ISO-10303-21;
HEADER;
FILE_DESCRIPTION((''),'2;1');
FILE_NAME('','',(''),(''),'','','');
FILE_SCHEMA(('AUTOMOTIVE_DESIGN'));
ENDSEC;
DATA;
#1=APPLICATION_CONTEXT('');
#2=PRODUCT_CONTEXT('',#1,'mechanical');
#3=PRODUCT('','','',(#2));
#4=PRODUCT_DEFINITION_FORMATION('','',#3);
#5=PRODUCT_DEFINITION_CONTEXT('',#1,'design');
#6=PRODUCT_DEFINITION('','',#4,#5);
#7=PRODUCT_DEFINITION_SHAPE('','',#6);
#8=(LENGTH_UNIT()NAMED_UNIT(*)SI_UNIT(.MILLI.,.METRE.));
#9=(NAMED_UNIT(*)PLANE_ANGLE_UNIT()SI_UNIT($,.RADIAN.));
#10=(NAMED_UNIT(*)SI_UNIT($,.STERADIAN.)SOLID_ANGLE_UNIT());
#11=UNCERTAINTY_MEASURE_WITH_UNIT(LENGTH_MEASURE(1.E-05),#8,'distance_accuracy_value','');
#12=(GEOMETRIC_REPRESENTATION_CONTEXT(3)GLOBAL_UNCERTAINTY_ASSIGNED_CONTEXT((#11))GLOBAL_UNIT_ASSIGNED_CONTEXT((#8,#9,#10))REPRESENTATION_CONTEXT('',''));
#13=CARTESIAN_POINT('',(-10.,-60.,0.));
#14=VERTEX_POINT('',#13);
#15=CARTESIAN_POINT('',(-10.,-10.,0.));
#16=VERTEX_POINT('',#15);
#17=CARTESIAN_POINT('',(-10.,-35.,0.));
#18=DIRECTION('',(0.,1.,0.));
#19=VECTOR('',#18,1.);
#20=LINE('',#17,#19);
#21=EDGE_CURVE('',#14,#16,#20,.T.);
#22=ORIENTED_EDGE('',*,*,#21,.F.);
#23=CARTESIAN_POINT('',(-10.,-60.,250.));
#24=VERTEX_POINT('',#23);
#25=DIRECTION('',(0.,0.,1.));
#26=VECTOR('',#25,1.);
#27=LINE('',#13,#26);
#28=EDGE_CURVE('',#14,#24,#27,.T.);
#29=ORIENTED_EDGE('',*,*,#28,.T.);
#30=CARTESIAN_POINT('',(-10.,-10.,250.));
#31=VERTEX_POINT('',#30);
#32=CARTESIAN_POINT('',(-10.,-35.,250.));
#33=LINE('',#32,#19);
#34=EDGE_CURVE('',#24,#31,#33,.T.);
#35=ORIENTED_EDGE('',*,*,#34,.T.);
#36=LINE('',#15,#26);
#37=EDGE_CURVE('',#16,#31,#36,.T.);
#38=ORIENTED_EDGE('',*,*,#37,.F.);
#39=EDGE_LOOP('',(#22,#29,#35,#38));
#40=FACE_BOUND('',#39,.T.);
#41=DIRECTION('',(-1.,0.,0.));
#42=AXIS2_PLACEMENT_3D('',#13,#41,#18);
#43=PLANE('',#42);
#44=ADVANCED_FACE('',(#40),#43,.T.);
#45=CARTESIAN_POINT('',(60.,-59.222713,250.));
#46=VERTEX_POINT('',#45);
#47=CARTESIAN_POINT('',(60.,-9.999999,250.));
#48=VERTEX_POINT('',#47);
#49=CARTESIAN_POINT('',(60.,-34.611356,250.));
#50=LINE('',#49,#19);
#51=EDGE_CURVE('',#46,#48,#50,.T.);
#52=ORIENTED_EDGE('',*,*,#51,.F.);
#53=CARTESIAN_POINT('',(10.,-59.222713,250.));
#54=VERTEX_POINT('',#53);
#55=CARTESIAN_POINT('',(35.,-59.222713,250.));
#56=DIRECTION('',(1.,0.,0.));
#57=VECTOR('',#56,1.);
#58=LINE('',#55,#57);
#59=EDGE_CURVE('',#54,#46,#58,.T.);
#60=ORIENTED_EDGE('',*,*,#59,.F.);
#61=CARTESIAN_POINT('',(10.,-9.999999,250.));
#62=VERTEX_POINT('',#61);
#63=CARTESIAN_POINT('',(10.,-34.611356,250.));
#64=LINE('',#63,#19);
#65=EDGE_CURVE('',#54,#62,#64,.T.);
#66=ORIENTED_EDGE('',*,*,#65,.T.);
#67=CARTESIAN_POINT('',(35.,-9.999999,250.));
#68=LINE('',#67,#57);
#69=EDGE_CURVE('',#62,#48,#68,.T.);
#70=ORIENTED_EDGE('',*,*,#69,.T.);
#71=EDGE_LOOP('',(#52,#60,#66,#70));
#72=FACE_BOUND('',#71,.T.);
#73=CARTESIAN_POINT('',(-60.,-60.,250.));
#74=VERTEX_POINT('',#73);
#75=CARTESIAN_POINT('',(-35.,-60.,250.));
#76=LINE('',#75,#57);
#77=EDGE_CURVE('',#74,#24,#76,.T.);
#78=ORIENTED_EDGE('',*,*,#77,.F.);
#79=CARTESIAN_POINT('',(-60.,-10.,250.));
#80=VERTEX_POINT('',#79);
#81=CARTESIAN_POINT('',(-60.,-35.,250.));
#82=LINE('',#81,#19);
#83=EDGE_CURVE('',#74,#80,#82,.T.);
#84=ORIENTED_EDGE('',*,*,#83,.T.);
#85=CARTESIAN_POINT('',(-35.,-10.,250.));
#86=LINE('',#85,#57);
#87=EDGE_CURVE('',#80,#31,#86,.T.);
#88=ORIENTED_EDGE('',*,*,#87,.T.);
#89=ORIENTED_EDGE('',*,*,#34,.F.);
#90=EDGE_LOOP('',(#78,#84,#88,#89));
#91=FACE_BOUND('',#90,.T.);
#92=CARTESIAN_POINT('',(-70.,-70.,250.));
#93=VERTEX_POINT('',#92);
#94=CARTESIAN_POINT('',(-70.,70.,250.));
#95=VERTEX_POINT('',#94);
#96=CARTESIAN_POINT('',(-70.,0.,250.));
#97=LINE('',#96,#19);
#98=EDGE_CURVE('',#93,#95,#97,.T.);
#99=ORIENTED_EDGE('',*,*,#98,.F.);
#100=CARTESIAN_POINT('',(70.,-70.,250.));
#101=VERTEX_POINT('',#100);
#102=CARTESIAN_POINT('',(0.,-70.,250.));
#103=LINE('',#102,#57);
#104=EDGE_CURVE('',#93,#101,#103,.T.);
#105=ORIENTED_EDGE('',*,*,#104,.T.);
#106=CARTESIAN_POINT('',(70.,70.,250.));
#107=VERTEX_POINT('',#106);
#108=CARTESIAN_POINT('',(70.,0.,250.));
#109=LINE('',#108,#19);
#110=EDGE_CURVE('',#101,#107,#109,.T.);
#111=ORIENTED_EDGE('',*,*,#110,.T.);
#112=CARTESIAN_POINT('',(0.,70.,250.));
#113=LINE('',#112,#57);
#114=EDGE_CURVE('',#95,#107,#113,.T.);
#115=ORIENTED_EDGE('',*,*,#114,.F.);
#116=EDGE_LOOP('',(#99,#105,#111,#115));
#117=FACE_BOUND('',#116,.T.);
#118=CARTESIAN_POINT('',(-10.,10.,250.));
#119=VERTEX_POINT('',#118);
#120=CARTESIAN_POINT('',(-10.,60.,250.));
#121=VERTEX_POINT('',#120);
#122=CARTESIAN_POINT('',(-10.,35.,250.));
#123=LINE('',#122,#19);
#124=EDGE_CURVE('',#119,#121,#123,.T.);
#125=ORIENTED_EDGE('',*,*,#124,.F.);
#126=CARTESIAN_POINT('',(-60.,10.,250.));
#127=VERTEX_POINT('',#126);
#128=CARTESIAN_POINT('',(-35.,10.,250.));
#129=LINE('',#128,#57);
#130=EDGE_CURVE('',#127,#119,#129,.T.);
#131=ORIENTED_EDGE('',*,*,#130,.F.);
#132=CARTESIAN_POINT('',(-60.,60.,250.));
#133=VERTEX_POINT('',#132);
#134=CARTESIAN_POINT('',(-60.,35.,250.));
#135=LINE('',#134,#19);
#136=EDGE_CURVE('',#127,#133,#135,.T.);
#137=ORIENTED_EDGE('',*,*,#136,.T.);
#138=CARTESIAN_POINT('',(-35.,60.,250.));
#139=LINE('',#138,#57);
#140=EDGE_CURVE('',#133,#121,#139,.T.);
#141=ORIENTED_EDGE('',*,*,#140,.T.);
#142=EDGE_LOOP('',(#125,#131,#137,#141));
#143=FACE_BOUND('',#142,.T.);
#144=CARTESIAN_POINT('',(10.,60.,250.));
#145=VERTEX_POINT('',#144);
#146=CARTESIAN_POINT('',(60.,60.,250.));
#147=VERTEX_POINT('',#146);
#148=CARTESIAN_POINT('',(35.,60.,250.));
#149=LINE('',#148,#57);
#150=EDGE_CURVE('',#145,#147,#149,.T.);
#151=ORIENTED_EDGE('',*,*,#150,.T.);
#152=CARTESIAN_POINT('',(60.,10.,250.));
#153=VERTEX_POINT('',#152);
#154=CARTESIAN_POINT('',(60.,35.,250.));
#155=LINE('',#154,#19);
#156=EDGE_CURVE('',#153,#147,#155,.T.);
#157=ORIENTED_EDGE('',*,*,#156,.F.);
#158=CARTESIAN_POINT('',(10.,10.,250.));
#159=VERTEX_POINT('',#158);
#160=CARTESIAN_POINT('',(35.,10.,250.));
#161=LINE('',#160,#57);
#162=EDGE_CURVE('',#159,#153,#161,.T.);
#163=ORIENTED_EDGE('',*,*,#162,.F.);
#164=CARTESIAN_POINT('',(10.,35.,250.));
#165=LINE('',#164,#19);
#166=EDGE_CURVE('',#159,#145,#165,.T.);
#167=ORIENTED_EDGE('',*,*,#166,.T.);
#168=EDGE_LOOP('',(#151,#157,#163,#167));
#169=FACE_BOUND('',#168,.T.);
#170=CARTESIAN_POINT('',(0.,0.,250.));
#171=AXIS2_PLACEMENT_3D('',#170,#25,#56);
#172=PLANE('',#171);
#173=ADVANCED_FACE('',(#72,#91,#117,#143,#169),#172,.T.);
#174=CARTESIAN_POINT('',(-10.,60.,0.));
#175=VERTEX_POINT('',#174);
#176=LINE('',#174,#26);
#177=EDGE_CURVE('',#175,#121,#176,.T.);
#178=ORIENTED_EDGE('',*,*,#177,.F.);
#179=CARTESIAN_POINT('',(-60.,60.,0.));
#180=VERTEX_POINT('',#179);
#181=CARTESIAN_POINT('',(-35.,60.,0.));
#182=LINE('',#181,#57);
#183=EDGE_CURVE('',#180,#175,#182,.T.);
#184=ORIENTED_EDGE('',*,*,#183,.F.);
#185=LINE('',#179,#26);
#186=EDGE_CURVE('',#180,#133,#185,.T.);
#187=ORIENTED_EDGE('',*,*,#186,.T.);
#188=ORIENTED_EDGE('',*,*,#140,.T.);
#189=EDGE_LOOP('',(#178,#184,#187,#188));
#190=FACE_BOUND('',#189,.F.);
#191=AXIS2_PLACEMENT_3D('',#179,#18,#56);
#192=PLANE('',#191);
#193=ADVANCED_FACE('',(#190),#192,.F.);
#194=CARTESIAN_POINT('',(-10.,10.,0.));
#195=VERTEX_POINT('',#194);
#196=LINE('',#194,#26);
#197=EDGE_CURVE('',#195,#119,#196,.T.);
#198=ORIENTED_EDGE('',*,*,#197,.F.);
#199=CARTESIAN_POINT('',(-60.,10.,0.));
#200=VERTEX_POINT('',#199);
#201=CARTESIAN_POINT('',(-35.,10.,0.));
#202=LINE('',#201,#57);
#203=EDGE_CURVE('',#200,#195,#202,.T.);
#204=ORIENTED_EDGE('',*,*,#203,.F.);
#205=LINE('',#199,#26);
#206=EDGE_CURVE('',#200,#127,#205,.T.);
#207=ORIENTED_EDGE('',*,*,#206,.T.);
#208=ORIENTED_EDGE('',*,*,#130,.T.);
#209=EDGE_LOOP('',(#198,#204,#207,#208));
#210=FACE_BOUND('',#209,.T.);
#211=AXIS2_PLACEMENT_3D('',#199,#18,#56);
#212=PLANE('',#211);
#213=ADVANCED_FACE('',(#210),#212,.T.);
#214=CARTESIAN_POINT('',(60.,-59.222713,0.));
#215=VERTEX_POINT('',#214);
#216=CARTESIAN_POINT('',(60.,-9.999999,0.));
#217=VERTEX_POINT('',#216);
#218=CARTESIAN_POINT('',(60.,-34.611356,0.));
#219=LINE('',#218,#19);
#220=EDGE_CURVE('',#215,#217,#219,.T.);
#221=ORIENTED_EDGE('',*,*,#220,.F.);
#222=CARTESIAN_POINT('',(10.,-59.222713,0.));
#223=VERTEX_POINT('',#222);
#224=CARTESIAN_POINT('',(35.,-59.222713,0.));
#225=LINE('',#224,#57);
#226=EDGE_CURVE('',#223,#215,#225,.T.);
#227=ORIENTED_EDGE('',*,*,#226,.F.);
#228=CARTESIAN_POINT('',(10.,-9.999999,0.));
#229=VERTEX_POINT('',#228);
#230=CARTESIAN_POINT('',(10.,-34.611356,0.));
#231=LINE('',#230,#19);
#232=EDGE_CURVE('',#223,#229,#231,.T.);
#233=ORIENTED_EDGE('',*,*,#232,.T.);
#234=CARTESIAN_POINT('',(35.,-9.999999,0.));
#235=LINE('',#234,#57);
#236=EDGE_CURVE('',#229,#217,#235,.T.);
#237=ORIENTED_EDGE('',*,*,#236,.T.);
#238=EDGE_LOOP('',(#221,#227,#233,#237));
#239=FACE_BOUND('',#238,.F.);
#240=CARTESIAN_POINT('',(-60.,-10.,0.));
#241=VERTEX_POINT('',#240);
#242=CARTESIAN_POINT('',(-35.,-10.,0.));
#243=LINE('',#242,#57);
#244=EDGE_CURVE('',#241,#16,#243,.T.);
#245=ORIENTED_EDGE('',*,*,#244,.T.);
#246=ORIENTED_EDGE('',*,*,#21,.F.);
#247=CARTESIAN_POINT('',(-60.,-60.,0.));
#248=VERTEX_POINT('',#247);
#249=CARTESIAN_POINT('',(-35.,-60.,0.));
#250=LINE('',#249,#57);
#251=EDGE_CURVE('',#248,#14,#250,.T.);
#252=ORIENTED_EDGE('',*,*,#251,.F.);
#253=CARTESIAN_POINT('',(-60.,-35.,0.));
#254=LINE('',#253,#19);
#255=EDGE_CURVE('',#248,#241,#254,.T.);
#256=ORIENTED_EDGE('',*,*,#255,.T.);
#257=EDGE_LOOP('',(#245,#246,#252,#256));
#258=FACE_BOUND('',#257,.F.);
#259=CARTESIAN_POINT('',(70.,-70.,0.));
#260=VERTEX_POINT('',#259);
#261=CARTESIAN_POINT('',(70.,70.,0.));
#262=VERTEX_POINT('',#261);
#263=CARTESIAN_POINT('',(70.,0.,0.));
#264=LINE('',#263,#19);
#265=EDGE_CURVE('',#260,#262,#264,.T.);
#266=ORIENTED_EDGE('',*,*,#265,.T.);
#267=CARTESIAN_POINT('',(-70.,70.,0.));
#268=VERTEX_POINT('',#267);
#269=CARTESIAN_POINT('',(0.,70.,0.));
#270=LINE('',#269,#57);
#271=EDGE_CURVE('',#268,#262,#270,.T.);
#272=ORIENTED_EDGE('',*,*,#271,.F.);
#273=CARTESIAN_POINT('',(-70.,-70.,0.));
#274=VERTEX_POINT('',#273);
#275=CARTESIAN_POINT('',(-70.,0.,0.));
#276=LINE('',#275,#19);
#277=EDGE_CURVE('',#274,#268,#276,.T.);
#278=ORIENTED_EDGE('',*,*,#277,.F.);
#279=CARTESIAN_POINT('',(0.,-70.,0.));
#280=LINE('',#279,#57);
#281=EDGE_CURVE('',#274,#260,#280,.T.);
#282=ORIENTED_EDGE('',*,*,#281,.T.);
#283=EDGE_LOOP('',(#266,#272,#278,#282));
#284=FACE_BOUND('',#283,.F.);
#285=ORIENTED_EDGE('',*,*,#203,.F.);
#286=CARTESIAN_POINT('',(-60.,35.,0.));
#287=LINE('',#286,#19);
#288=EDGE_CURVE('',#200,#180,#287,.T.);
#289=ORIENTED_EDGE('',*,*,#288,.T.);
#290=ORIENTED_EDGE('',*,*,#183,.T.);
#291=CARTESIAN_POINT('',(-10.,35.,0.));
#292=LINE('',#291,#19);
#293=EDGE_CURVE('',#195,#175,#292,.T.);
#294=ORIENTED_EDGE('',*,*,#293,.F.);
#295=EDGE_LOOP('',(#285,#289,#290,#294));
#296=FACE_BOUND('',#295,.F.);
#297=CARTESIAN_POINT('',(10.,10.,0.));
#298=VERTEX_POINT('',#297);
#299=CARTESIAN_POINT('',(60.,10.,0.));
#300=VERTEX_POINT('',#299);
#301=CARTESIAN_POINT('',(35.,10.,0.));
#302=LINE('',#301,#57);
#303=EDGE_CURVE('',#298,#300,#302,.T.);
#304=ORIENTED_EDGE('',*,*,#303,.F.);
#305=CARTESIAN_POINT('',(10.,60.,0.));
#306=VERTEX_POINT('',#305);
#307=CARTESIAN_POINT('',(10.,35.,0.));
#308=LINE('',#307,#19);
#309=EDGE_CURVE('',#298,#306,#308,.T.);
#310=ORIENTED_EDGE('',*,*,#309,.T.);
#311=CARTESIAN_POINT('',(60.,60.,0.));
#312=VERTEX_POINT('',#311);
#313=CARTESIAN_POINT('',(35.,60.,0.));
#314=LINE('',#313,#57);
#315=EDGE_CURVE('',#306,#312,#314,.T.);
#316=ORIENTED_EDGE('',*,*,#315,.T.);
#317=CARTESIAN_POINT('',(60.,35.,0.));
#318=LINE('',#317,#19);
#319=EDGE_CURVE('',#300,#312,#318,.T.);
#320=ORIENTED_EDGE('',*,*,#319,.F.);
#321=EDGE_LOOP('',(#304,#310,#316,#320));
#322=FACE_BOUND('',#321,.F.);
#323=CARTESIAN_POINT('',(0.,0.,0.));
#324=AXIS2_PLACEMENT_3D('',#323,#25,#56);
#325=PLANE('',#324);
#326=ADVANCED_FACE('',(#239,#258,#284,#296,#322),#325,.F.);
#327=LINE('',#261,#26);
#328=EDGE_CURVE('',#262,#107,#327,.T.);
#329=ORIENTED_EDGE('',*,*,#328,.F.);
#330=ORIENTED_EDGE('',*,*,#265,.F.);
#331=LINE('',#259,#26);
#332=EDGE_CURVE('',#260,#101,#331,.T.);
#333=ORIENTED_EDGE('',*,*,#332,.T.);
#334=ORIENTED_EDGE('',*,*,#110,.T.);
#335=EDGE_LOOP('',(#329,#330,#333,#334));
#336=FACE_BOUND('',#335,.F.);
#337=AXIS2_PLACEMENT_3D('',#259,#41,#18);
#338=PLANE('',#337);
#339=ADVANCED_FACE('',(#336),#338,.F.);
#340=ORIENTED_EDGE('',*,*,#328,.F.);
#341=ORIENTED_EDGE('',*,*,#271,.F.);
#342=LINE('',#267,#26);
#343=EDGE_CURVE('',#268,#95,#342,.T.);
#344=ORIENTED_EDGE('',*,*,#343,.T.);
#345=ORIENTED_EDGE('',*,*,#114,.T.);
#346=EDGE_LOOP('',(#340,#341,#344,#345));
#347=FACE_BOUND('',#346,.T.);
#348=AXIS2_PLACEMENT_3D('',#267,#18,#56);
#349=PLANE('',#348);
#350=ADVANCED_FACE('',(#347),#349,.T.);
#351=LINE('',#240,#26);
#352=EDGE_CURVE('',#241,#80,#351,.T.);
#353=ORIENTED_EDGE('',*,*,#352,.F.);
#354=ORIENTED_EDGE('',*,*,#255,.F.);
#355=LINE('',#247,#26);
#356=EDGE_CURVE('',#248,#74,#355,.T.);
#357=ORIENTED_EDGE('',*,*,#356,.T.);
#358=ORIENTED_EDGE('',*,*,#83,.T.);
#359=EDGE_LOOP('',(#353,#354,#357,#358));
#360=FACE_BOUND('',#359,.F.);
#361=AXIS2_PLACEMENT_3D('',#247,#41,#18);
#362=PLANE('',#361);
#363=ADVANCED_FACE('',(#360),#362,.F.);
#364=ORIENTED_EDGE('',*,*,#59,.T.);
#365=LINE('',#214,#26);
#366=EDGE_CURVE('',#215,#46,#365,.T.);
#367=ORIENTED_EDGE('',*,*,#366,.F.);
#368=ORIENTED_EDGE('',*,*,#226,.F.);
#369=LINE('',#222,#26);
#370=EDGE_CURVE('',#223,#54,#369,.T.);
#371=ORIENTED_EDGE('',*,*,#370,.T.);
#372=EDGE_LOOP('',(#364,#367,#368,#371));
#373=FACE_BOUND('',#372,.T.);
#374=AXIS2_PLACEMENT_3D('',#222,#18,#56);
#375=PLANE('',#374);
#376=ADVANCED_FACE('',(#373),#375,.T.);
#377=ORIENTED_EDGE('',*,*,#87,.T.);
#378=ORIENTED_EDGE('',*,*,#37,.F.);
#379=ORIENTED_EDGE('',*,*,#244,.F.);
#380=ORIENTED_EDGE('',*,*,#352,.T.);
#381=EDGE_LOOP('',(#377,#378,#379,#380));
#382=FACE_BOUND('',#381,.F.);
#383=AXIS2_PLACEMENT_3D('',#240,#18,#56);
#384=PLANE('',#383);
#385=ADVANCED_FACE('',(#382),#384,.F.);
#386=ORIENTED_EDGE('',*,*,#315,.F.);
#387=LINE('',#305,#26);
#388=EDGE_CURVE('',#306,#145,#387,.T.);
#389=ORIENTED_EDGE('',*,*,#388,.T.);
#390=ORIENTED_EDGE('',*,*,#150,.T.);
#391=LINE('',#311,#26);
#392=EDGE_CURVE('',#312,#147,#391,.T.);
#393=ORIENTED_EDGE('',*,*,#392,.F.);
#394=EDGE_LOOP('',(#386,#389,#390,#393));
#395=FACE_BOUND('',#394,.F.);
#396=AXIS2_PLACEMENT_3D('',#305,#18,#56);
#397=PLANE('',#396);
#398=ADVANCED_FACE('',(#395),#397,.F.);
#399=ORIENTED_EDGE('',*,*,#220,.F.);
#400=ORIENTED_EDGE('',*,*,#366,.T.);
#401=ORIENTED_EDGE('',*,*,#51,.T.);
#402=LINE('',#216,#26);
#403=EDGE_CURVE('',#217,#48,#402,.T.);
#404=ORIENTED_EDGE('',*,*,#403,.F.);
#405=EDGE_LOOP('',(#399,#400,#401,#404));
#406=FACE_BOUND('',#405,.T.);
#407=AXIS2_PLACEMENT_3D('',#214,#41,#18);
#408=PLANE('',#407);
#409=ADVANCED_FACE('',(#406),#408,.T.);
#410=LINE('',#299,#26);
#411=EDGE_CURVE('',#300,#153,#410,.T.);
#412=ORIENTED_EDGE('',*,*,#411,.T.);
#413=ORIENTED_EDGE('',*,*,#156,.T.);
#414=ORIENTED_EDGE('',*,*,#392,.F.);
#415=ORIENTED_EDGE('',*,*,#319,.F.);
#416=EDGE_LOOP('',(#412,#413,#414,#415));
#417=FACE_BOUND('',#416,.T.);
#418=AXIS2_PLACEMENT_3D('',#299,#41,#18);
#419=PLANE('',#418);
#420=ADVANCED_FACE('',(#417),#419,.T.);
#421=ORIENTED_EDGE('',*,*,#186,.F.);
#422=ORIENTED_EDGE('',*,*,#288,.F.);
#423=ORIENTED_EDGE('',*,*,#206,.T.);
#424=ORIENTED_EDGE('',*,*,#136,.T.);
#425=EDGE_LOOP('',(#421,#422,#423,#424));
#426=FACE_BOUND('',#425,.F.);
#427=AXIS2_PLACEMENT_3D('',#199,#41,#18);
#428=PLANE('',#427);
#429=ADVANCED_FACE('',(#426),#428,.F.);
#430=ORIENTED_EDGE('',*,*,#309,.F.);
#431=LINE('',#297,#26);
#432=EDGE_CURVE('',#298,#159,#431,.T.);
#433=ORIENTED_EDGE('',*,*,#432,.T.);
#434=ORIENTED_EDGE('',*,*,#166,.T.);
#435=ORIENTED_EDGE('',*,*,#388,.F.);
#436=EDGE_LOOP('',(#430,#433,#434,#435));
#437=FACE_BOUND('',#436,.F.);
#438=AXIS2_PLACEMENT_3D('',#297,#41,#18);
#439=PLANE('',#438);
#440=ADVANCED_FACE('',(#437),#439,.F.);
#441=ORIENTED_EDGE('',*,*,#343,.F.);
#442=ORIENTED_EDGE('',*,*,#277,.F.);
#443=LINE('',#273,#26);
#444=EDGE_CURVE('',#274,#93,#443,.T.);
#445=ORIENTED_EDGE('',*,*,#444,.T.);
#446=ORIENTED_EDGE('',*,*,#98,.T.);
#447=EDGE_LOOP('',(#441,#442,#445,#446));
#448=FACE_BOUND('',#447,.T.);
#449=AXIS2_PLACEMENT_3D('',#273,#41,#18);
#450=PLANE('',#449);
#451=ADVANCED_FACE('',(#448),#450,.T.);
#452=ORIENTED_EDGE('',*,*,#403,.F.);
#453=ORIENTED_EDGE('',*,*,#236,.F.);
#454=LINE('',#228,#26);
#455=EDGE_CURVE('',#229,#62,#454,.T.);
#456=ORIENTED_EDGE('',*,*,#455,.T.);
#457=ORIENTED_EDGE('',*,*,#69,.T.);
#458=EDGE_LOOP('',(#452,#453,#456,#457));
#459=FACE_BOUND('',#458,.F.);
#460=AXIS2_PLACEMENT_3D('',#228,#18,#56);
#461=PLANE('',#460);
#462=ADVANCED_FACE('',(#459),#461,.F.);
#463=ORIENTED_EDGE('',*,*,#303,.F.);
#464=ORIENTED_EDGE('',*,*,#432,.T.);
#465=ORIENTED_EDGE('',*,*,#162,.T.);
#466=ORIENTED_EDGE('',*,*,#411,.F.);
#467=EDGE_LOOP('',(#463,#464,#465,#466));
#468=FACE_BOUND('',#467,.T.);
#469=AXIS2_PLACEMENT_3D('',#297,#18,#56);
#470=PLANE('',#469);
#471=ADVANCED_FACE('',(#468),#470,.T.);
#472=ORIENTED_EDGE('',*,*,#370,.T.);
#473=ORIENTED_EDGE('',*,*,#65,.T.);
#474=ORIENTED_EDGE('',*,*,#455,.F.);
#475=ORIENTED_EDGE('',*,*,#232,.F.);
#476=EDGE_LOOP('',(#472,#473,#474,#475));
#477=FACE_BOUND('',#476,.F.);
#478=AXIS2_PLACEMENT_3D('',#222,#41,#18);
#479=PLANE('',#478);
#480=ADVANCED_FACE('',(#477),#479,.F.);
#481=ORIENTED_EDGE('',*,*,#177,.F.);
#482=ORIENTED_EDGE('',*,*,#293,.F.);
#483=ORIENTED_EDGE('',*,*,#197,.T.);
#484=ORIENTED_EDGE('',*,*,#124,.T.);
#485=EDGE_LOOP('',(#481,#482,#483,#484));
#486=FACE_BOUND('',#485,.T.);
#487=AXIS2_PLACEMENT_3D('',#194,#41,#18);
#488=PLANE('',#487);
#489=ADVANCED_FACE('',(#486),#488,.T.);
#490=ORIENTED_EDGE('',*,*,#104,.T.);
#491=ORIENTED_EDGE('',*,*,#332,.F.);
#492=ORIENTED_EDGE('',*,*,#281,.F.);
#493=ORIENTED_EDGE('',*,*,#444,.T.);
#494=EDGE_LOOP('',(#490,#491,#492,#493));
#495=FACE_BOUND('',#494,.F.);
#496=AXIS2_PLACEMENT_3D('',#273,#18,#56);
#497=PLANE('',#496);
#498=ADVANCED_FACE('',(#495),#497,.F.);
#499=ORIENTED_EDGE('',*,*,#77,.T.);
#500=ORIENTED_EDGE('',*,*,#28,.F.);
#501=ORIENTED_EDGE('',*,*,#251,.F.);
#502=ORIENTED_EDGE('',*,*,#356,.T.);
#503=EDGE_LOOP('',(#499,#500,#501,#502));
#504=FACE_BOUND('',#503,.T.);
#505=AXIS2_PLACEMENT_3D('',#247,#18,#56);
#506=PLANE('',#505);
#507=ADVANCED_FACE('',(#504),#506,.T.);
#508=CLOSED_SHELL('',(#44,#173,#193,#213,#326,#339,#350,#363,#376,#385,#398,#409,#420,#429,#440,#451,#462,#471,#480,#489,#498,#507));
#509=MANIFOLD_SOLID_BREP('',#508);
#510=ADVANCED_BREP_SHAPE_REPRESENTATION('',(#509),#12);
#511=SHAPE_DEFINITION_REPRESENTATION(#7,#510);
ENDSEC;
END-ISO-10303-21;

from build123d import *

# Parameters (mm, degrees)
SKETCH_W   = 140
SKETCH_H   = 140
SKETCH_W_2 = 50
SKETCH_H_2 = 50
SKETCH_H_3 = 49.222713
PAD_DEPTH  = 250


with BuildPart() as part:
    # Sketch → Pad (new body)
    with BuildSketch(Plane.XY):
        Rectangle(SKETCH_W, SKETCH_H)
        with Locations((-35, 35)):
            Rectangle(SKETCH_W_2, SKETCH_H_2, mode=Mode.SUBTRACT)
        with Locations((35, 35)):
            Rectangle(SKETCH_W_2, SKETCH_H_2, mode=Mode.SUBTRACT)
        with Locations((-35, -35)):
            Rectangle(SKETCH_W_2, SKETCH_H_2, mode=Mode.SUBTRACT)
        with Locations((35, -34.611356)):
            Rectangle(SKETCH_W_2, SKETCH_H_3, mode=Mode.SUBTRACT)
    extrude(amount=PAD_DEPTH)


solid = part.part
